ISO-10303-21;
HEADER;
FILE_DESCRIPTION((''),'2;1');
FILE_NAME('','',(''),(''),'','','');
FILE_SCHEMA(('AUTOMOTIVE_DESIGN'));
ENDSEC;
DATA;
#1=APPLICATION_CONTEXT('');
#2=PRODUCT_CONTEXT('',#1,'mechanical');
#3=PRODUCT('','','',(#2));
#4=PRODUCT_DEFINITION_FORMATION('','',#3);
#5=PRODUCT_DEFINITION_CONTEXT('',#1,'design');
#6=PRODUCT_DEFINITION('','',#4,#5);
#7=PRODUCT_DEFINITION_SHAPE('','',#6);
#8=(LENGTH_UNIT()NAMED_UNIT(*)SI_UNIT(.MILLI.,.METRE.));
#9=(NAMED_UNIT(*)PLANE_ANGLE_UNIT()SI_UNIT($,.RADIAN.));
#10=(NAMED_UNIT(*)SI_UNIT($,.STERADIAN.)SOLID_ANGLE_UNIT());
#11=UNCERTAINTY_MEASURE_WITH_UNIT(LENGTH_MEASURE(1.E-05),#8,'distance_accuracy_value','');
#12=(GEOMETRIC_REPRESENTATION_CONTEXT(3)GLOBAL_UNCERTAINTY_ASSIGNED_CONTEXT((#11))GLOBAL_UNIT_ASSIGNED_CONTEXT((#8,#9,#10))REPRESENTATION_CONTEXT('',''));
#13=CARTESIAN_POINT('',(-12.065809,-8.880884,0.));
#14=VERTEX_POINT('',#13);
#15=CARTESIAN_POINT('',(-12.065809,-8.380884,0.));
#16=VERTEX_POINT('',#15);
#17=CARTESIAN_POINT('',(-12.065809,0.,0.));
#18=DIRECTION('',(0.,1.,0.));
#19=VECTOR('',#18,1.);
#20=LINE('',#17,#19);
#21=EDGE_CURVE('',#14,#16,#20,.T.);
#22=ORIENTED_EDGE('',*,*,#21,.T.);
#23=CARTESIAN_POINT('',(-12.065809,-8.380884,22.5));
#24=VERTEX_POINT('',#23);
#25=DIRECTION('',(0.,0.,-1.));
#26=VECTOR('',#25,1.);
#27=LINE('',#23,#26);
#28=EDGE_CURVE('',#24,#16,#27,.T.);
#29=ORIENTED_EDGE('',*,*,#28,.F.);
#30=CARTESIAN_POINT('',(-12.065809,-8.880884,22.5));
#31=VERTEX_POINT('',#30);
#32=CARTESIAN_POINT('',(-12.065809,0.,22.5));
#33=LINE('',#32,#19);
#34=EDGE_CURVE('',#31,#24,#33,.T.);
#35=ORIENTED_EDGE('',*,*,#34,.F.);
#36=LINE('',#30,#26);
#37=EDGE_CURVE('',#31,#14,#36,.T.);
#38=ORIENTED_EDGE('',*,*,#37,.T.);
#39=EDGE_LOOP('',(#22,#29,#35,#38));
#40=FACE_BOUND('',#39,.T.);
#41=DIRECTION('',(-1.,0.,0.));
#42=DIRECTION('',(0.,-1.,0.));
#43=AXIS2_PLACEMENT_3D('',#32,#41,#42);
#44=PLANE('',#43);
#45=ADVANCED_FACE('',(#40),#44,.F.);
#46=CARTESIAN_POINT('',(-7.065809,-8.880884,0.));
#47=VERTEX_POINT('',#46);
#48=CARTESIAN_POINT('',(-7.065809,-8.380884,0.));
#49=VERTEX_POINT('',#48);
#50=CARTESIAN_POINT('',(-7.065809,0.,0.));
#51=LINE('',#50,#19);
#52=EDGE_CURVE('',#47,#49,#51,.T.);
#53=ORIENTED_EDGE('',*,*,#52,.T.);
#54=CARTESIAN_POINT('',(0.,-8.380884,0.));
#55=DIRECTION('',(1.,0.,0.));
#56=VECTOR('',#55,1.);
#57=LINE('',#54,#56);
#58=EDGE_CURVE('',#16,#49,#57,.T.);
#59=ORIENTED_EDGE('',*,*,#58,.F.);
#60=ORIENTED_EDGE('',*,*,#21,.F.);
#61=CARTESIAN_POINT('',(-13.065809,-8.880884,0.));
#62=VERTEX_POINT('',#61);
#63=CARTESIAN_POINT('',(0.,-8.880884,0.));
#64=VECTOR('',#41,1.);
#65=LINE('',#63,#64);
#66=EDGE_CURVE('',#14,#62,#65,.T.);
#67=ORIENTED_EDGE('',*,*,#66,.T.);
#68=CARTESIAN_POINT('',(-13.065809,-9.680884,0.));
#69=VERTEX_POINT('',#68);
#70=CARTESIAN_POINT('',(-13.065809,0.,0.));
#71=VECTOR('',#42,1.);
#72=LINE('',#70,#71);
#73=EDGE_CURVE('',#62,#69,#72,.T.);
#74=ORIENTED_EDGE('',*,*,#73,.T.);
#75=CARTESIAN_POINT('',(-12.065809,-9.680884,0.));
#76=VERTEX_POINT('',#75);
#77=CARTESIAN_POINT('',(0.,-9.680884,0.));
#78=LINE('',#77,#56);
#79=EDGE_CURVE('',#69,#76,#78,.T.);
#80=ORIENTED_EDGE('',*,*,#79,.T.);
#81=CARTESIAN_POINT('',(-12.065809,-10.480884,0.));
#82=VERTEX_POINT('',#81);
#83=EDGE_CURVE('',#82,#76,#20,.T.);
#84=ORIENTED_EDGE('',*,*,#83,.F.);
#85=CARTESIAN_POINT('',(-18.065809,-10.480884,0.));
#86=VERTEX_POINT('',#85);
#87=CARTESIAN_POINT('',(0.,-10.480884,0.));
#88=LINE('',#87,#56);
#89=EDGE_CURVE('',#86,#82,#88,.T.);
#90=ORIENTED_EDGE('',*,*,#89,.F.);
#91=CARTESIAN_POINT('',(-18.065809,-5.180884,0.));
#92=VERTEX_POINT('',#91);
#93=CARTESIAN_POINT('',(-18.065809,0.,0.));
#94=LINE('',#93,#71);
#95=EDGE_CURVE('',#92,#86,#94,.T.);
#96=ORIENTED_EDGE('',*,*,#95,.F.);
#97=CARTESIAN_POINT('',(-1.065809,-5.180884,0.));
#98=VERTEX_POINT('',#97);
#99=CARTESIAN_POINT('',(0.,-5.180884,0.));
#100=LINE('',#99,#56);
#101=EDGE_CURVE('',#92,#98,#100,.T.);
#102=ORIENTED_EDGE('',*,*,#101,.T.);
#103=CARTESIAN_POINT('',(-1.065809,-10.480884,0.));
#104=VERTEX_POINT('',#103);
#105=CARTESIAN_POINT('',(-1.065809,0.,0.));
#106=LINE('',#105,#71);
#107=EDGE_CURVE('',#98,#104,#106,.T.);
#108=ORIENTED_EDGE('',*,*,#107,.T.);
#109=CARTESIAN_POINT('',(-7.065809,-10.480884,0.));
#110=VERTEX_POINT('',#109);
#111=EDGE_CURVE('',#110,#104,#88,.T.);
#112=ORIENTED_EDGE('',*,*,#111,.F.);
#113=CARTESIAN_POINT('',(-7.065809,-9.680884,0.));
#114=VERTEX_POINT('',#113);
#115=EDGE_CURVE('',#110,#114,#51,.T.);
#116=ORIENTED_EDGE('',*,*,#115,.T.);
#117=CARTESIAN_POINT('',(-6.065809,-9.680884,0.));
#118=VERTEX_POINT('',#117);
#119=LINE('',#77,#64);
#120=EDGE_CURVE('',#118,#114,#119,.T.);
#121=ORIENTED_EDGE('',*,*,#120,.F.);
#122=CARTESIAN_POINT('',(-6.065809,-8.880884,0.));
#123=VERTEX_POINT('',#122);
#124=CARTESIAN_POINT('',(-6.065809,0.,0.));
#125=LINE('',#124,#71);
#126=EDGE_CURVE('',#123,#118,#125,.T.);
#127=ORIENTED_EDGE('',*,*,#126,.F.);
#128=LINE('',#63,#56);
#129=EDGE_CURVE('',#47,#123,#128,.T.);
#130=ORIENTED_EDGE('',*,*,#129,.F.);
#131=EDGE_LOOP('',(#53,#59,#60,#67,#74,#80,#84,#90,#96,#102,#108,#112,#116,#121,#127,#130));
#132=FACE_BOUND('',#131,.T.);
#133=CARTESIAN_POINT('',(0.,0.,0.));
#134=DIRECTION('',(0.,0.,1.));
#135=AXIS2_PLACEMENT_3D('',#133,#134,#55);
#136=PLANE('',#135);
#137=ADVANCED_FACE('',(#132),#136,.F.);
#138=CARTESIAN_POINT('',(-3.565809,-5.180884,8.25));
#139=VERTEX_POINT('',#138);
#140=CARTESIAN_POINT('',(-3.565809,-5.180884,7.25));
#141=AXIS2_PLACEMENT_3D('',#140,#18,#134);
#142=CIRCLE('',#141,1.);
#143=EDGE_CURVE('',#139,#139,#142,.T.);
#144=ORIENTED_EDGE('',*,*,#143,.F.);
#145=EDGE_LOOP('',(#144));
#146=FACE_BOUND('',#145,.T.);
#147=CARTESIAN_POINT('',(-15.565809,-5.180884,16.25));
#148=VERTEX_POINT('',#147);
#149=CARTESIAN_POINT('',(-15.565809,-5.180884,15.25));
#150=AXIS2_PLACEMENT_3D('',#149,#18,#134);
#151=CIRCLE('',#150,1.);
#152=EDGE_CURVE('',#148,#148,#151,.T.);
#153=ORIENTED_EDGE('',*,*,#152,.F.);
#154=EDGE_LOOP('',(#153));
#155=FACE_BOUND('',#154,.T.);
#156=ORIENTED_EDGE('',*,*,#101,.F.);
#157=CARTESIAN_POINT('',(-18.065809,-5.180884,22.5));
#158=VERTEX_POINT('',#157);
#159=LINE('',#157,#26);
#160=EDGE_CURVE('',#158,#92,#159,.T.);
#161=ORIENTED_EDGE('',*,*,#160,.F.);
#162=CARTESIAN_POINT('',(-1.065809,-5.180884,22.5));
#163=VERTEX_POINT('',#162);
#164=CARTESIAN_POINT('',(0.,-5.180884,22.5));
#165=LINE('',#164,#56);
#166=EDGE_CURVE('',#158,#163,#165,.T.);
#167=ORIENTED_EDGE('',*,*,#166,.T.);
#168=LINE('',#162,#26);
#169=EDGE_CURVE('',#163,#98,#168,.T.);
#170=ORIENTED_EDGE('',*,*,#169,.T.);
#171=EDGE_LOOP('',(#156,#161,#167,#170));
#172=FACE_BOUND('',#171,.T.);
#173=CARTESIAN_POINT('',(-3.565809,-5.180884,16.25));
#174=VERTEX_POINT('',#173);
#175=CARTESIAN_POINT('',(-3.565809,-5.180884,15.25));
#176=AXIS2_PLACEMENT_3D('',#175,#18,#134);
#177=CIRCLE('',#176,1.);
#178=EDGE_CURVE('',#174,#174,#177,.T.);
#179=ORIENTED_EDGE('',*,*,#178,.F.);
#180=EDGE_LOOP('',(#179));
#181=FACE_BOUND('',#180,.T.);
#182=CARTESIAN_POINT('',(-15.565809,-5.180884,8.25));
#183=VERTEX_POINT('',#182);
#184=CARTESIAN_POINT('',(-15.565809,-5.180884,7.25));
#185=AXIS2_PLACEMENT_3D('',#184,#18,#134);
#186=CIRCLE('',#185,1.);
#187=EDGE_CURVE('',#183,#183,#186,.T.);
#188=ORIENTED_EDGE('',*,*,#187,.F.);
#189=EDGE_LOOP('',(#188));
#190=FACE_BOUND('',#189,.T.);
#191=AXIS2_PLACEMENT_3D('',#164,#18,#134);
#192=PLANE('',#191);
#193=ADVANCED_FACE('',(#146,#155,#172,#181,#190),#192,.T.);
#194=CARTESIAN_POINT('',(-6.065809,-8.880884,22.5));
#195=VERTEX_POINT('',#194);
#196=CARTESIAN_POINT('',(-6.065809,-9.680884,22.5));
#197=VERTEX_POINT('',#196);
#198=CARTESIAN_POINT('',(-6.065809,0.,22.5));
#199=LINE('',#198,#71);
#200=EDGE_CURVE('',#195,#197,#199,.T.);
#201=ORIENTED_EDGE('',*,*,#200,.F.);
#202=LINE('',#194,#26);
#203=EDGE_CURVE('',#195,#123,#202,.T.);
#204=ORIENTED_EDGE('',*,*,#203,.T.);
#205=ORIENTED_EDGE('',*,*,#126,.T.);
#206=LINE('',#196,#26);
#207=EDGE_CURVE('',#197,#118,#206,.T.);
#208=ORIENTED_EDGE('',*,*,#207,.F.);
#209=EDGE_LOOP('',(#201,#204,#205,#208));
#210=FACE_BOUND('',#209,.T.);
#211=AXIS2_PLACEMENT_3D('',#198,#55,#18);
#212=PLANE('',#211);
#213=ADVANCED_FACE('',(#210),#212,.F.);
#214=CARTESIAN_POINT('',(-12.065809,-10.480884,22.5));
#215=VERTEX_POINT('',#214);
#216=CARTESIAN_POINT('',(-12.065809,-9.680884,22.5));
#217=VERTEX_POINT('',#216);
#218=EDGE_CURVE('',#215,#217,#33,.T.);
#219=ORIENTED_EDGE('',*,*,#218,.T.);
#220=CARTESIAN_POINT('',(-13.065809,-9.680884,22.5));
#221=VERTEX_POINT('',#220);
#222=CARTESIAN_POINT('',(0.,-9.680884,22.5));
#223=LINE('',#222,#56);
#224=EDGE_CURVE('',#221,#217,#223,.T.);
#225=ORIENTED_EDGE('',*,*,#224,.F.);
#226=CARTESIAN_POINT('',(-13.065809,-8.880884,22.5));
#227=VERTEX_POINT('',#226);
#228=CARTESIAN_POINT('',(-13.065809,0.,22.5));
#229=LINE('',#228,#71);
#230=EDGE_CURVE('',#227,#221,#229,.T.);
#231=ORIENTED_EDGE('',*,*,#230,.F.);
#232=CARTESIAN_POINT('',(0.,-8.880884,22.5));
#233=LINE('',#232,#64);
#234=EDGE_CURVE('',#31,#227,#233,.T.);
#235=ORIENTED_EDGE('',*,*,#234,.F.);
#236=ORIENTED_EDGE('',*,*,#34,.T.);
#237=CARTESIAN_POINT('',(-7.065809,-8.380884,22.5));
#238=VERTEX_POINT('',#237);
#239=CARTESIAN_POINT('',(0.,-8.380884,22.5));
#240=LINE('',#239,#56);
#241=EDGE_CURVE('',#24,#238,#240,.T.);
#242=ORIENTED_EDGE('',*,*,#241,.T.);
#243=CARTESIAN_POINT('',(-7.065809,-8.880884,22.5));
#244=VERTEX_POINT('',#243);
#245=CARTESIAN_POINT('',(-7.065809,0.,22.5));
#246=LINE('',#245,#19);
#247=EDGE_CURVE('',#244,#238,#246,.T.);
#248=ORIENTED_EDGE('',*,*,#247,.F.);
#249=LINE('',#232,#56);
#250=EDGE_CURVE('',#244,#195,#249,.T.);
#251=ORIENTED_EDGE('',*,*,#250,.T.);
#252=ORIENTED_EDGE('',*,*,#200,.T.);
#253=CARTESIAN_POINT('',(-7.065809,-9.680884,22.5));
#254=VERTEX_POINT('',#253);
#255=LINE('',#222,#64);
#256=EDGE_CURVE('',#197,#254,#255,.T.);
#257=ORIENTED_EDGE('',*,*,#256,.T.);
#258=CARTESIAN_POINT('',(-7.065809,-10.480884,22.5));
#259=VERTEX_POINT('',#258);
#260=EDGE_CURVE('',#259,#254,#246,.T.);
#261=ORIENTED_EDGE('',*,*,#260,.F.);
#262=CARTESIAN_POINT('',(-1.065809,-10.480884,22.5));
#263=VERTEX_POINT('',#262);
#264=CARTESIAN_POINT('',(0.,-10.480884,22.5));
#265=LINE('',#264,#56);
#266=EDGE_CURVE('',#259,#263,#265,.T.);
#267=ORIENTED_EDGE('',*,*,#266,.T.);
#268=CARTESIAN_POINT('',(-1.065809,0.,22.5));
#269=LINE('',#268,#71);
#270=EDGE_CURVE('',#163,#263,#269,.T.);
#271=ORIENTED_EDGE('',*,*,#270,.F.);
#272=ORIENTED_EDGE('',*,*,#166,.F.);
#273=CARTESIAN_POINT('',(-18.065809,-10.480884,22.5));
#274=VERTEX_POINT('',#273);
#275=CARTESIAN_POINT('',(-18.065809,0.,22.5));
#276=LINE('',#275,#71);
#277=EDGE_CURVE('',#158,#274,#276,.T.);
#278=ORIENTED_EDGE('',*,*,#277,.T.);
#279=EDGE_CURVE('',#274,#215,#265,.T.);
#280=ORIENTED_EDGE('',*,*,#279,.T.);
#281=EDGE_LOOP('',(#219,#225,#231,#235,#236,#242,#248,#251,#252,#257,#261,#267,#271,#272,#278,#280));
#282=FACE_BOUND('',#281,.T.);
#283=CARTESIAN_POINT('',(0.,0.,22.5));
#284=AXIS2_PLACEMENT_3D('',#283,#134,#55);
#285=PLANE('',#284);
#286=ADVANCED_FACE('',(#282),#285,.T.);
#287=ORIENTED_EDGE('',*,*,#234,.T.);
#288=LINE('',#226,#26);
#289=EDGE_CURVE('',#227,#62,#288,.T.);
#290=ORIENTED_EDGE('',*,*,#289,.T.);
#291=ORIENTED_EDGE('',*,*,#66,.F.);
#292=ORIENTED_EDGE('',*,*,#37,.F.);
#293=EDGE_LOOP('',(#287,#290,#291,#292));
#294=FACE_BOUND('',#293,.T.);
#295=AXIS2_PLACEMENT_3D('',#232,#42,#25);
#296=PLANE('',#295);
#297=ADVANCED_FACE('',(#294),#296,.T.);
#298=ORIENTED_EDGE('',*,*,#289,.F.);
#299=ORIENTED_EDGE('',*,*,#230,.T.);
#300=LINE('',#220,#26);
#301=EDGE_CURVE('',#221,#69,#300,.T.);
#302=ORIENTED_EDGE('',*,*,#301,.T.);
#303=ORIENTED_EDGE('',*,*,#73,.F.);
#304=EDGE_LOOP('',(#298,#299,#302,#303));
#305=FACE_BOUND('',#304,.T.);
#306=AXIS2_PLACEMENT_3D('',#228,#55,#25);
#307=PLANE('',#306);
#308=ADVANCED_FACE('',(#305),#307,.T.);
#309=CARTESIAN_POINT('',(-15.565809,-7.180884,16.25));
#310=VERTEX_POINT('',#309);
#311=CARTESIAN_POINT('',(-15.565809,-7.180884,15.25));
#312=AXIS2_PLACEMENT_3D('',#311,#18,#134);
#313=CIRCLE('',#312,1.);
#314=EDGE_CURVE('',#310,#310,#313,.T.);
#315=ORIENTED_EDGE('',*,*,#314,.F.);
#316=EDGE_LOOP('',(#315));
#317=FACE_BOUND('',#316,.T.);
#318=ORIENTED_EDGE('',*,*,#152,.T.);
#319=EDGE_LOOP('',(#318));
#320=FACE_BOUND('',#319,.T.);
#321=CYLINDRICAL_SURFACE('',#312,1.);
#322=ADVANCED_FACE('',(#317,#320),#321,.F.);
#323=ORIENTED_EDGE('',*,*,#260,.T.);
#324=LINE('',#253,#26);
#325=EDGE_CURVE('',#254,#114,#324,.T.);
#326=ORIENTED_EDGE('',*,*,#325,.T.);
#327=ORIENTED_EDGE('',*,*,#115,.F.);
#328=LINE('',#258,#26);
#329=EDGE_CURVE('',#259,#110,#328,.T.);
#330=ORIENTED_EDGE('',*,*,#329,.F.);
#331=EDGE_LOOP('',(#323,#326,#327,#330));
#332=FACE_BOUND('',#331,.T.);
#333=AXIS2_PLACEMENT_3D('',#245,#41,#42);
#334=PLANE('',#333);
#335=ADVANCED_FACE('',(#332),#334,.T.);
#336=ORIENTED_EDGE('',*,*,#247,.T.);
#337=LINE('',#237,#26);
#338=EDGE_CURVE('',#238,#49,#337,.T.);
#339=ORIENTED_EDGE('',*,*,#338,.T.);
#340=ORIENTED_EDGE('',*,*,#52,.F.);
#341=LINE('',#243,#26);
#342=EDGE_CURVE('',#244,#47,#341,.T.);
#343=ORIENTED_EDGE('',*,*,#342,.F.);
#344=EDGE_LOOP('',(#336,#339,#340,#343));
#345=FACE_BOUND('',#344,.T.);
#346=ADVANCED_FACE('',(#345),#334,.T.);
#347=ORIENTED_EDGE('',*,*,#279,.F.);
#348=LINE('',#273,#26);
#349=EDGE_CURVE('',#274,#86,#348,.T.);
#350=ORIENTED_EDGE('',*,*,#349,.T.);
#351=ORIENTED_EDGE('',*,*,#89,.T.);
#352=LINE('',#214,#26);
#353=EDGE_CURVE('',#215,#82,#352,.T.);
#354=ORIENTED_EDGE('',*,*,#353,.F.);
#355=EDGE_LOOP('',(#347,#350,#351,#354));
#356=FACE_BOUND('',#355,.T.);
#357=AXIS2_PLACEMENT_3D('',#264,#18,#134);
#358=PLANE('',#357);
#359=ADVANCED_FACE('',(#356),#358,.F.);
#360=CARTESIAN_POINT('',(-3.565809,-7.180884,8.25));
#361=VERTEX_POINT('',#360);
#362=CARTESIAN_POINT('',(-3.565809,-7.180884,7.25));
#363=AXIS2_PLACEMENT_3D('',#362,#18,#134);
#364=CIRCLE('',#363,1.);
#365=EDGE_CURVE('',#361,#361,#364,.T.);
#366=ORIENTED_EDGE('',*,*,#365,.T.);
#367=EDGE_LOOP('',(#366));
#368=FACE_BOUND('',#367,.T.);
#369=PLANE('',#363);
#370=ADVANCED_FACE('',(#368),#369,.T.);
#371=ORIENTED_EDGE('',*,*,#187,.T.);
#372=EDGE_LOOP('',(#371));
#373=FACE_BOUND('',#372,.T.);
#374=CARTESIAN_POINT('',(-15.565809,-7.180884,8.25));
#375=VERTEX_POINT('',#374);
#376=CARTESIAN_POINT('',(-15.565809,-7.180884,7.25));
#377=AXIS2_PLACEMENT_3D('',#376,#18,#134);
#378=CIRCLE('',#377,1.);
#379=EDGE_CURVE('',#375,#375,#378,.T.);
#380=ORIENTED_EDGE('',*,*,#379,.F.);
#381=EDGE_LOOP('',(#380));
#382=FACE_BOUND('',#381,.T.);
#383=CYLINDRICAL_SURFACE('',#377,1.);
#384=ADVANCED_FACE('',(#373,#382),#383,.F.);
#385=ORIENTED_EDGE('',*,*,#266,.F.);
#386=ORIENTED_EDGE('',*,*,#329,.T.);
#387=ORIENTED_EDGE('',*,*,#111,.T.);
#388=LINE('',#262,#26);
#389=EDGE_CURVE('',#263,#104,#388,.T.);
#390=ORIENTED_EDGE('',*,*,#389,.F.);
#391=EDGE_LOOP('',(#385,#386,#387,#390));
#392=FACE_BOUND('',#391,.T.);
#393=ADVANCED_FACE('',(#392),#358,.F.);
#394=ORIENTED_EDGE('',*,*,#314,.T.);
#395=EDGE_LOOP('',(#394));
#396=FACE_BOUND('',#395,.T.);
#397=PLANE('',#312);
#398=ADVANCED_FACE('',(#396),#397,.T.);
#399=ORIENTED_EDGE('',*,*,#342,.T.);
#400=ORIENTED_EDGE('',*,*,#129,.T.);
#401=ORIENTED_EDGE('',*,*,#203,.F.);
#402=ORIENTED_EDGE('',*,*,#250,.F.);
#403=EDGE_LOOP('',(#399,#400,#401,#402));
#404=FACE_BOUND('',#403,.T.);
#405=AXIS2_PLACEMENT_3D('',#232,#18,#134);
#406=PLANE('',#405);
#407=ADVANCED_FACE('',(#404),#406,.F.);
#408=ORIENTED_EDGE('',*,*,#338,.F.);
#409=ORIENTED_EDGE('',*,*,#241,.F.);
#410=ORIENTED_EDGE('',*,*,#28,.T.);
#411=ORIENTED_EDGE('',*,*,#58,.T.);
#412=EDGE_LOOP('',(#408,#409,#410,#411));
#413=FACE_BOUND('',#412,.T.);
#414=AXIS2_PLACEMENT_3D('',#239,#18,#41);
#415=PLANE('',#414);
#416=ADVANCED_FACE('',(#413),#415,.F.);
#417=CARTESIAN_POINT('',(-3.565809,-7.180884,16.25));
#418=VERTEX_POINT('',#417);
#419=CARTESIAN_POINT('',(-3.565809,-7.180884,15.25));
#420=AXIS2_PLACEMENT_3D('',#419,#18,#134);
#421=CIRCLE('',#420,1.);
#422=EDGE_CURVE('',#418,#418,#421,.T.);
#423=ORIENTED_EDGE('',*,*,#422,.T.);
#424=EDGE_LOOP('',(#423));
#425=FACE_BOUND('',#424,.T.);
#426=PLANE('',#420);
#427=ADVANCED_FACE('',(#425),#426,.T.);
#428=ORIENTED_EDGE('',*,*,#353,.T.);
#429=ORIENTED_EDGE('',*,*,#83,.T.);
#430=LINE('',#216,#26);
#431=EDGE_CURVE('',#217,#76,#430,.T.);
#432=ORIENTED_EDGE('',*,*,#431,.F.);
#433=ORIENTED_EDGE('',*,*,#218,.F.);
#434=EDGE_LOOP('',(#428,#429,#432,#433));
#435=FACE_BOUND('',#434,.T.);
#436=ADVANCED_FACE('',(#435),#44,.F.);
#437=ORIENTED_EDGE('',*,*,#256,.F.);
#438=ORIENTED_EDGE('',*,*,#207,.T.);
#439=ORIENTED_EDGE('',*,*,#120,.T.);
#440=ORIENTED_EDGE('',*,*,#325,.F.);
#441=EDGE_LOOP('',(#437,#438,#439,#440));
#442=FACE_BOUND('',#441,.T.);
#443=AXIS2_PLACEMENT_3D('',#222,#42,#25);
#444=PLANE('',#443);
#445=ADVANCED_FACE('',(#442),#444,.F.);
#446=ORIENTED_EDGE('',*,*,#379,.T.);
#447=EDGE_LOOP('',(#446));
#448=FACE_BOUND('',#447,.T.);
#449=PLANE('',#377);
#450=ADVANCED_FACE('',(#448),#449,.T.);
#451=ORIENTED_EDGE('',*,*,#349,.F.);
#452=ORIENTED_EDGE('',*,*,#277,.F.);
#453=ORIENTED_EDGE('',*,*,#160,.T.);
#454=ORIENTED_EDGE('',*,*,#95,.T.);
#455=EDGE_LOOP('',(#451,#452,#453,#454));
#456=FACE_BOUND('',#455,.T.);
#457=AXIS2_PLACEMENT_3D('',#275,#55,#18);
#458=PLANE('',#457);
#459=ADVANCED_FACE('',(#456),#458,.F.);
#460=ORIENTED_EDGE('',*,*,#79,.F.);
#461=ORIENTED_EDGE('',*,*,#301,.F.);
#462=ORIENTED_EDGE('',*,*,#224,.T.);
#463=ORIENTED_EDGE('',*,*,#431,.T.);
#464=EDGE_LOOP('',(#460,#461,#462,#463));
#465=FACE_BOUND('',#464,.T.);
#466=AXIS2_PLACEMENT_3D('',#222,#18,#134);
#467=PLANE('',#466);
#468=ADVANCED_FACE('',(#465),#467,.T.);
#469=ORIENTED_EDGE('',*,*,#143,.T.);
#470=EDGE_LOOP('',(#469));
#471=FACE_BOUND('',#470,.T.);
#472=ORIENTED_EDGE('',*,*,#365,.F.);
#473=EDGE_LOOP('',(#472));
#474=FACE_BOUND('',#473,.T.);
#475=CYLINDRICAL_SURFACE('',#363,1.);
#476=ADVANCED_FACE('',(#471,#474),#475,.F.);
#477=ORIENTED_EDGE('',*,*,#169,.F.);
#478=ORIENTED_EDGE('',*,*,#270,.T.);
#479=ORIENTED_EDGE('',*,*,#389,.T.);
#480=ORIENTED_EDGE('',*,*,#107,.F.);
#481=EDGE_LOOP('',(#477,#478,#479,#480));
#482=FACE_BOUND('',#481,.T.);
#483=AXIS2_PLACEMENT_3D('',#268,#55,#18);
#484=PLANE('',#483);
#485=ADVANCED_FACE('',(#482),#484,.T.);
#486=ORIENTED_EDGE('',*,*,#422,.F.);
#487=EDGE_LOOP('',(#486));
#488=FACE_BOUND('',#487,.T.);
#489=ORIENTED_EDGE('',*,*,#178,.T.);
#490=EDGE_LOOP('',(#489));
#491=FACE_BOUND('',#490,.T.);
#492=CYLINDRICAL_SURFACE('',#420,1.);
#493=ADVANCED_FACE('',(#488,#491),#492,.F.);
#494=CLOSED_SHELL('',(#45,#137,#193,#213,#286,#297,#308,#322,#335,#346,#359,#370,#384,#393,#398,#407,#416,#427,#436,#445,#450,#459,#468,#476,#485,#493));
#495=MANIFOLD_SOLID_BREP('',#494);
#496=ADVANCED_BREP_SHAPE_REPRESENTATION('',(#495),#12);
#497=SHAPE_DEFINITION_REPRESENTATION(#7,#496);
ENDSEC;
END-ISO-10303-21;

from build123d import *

# Parameters (mm, degrees)
EXTRUDE_1_DEPTH     = 22.5
SKETCH_4_R          = 1
CUT_EXTRUDE_4_DEPTH = 2


with BuildPart() as part:
    # 草图1 → 凸台-拉伸1 (new body)
    with BuildSketch(Plane.XY):
        Polygon((-18.065809082, -5.18088445), (-18.065809082, -10.48088445), (-12.065809082, -10.48088445), (-12.065809082, -9.68088445), (-13.065809082, -9.68088445), (-13.065809082, -8.88088445), (-12.065809082, -8.88088445), (-12.065809082, -8.38088445), (-9.565809082, -8.38088445), (-9.565809082, -5.18088445), align=None)
        Polygon((-1.065809082, -5.18088445), (-9.565809082, -5.18088445), (-9.565809082, -8.38088445), (-7.065809082, -8.38088445), (-7.065809082, -8.88088445), (-6.065809082, -8.88088445), (-6.065809082, -9.68088445), (-7.065809082, -9.68088445), (-7.065809082, -10.48088445), (-1.065809082, -10.48088445), align=None)
    extrude(amount=EXTRUDE_1_DEPTH)

    # 草图4 → 切除-拉伸4 (cut)
    with BuildSketch(Plane(origin=(0, -5.18088445, 0), x_dir=(1, 0, 0), z_dir=(0, 1, 0))):
        with Locations(Location((-15.565809082, -7.25, 0), (0, 0, 270))):
            Circle(SKETCH_4_R)
        with Locations(Location((-15.565809082, -15.25, 0), (0, 0, 270))):
            Circle(SKETCH_4_R)
        with Locations(Location((-3.565809082, -7.25, 0), (0, 0, 270))):
            Circle(SKETCH_4_R)
        with Locations(Location((-3.565809082, -15.25, 0), (0, 0, 270))):
            Circle(SKETCH_4_R)
    extrude(amount=-CUT_EXTRUDE_4_DEPTH, mode=Mode.SUBTRACT)


solid = part.part
